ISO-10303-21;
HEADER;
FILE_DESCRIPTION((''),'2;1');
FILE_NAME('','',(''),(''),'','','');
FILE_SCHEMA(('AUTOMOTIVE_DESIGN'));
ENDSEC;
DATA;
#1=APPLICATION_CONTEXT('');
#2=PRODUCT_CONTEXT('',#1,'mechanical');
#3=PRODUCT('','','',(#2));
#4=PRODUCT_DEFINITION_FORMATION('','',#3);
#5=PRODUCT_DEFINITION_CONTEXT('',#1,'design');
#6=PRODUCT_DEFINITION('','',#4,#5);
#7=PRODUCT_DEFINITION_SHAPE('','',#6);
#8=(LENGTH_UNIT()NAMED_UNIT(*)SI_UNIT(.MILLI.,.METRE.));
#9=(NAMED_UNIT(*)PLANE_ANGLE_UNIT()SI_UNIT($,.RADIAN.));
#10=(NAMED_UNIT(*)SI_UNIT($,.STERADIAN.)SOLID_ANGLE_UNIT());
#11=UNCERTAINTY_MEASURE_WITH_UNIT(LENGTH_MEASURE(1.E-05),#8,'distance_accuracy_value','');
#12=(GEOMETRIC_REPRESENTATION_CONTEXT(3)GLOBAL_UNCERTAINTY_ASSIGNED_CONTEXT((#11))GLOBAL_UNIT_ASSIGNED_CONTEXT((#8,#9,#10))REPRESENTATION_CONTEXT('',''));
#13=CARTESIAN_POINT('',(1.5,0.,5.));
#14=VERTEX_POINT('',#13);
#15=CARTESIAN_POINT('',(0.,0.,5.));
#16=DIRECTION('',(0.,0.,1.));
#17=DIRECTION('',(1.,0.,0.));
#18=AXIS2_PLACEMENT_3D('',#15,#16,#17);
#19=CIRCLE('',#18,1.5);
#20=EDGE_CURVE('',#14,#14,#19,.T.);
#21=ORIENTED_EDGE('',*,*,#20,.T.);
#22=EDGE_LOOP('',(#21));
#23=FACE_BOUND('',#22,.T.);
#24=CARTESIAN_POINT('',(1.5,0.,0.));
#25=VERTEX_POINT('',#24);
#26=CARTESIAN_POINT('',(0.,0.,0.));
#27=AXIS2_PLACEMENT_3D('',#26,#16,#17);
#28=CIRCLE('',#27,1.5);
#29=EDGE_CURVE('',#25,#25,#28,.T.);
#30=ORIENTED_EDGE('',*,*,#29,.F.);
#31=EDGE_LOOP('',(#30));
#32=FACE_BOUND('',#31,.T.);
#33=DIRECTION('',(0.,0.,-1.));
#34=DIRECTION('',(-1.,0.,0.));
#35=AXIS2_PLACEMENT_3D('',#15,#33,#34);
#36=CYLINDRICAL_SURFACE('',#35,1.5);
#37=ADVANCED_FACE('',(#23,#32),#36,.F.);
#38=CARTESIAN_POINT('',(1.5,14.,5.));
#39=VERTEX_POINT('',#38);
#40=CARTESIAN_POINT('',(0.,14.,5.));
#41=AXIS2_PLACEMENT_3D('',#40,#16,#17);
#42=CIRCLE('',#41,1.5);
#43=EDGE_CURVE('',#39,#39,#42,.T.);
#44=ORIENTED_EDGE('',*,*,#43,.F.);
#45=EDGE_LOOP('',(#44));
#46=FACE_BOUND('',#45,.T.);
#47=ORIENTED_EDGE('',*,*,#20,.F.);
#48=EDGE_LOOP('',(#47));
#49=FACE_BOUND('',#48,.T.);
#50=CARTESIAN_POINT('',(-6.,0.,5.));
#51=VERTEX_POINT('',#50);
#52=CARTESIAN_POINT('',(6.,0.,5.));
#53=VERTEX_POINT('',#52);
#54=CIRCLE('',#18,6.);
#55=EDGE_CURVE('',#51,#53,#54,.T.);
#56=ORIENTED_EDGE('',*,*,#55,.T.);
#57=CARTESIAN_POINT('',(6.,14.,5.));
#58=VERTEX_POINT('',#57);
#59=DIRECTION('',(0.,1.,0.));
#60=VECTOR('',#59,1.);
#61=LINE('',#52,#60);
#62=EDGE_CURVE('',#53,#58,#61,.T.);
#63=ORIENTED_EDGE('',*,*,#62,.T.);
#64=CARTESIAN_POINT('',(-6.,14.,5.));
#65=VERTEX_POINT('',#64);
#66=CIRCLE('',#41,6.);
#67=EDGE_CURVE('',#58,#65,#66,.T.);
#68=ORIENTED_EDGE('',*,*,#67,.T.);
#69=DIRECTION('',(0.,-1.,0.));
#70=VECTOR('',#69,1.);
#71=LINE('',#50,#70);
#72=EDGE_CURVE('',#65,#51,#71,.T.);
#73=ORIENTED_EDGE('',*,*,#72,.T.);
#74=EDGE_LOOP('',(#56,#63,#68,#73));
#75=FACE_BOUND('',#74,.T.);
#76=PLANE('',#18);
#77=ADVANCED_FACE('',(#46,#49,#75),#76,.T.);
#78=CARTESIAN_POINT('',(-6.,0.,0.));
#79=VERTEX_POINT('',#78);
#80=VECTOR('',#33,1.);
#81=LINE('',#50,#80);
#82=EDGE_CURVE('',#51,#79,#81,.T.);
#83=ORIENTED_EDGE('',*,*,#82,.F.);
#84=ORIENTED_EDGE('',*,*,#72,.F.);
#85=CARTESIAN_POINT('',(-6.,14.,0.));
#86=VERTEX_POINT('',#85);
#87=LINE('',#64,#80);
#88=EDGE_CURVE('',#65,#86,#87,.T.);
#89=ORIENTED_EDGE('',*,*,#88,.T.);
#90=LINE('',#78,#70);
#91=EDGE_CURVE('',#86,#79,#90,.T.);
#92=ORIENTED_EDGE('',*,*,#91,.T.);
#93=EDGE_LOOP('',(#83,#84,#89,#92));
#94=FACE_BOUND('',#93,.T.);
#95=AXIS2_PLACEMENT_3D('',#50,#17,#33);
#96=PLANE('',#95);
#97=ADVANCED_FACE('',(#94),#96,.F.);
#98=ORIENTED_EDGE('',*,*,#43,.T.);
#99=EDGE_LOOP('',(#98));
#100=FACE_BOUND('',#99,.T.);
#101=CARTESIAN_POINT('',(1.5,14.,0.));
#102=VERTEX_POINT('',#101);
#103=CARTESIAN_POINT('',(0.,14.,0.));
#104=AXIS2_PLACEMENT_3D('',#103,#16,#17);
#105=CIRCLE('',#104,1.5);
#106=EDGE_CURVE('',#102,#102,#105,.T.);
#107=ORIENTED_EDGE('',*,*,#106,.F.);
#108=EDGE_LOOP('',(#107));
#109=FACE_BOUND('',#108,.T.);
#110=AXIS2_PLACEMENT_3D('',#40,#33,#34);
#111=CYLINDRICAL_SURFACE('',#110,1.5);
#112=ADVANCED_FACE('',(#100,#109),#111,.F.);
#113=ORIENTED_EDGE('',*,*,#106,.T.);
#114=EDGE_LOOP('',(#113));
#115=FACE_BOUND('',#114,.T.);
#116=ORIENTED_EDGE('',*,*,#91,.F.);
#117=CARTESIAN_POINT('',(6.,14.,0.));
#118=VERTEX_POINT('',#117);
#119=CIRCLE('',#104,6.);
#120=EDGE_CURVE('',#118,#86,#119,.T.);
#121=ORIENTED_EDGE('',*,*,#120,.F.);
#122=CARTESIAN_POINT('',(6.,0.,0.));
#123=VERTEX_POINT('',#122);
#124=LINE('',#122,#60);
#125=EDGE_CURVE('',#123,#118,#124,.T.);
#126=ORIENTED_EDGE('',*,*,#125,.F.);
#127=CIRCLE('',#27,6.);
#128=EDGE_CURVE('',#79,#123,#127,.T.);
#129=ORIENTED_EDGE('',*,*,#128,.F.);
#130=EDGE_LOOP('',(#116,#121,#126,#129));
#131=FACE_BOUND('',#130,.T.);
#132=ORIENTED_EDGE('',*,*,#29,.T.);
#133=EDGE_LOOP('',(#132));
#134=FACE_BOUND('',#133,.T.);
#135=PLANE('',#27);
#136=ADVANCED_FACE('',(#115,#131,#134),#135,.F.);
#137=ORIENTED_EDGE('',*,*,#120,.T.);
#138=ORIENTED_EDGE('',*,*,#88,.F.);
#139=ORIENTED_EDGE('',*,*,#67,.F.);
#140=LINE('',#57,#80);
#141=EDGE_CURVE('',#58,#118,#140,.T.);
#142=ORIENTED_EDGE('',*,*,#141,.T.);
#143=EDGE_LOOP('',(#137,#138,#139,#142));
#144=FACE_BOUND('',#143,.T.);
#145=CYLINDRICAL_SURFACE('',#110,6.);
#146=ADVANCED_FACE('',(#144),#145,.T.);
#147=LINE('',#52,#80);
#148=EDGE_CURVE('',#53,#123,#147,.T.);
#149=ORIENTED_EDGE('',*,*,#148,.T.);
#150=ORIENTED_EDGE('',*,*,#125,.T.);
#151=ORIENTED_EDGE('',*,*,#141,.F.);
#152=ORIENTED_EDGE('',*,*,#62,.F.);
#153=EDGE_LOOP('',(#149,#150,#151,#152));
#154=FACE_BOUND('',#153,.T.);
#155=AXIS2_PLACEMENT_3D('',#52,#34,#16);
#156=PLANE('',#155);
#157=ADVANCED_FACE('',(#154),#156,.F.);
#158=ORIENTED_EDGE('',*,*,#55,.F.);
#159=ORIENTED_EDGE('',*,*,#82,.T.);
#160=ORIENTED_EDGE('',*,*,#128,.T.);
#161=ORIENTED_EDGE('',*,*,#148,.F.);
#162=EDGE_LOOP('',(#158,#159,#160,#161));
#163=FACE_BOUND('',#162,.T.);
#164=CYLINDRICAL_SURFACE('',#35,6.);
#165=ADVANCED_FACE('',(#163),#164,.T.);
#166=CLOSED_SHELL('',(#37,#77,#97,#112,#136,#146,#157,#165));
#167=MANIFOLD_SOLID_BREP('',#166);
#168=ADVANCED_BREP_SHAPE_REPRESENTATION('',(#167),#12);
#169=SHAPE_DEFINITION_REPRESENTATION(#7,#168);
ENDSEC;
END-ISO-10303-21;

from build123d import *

# Parameters (mm, degrees)
SKETCH1_R           = 1.5
BOSS_EXTRUDE1_DEPTH = 5


with BuildPart() as part:
    # Sketch1 → Boss-Extrude1 (new body)
    with BuildSketch(Plane.XY):
        with BuildLine():
            Line((-6, 0), (-6, 14))
            ThreePointArc((-6, 14), (0, 20), (6, 14))
            Line((6, 14), (6, 0))
            ThreePointArc((6, 0), (0, -6), (-6, 0))
        make_face()
        Circle(SKETCH1_R, mode=Mode.SUBTRACT)
        with Locations((0, 14)):
            Circle(SKETCH1_R, mode=Mode.SUBTRACT)
    extrude(amount=BOSS_EXTRUDE1_DEPTH)


solid = part.part
